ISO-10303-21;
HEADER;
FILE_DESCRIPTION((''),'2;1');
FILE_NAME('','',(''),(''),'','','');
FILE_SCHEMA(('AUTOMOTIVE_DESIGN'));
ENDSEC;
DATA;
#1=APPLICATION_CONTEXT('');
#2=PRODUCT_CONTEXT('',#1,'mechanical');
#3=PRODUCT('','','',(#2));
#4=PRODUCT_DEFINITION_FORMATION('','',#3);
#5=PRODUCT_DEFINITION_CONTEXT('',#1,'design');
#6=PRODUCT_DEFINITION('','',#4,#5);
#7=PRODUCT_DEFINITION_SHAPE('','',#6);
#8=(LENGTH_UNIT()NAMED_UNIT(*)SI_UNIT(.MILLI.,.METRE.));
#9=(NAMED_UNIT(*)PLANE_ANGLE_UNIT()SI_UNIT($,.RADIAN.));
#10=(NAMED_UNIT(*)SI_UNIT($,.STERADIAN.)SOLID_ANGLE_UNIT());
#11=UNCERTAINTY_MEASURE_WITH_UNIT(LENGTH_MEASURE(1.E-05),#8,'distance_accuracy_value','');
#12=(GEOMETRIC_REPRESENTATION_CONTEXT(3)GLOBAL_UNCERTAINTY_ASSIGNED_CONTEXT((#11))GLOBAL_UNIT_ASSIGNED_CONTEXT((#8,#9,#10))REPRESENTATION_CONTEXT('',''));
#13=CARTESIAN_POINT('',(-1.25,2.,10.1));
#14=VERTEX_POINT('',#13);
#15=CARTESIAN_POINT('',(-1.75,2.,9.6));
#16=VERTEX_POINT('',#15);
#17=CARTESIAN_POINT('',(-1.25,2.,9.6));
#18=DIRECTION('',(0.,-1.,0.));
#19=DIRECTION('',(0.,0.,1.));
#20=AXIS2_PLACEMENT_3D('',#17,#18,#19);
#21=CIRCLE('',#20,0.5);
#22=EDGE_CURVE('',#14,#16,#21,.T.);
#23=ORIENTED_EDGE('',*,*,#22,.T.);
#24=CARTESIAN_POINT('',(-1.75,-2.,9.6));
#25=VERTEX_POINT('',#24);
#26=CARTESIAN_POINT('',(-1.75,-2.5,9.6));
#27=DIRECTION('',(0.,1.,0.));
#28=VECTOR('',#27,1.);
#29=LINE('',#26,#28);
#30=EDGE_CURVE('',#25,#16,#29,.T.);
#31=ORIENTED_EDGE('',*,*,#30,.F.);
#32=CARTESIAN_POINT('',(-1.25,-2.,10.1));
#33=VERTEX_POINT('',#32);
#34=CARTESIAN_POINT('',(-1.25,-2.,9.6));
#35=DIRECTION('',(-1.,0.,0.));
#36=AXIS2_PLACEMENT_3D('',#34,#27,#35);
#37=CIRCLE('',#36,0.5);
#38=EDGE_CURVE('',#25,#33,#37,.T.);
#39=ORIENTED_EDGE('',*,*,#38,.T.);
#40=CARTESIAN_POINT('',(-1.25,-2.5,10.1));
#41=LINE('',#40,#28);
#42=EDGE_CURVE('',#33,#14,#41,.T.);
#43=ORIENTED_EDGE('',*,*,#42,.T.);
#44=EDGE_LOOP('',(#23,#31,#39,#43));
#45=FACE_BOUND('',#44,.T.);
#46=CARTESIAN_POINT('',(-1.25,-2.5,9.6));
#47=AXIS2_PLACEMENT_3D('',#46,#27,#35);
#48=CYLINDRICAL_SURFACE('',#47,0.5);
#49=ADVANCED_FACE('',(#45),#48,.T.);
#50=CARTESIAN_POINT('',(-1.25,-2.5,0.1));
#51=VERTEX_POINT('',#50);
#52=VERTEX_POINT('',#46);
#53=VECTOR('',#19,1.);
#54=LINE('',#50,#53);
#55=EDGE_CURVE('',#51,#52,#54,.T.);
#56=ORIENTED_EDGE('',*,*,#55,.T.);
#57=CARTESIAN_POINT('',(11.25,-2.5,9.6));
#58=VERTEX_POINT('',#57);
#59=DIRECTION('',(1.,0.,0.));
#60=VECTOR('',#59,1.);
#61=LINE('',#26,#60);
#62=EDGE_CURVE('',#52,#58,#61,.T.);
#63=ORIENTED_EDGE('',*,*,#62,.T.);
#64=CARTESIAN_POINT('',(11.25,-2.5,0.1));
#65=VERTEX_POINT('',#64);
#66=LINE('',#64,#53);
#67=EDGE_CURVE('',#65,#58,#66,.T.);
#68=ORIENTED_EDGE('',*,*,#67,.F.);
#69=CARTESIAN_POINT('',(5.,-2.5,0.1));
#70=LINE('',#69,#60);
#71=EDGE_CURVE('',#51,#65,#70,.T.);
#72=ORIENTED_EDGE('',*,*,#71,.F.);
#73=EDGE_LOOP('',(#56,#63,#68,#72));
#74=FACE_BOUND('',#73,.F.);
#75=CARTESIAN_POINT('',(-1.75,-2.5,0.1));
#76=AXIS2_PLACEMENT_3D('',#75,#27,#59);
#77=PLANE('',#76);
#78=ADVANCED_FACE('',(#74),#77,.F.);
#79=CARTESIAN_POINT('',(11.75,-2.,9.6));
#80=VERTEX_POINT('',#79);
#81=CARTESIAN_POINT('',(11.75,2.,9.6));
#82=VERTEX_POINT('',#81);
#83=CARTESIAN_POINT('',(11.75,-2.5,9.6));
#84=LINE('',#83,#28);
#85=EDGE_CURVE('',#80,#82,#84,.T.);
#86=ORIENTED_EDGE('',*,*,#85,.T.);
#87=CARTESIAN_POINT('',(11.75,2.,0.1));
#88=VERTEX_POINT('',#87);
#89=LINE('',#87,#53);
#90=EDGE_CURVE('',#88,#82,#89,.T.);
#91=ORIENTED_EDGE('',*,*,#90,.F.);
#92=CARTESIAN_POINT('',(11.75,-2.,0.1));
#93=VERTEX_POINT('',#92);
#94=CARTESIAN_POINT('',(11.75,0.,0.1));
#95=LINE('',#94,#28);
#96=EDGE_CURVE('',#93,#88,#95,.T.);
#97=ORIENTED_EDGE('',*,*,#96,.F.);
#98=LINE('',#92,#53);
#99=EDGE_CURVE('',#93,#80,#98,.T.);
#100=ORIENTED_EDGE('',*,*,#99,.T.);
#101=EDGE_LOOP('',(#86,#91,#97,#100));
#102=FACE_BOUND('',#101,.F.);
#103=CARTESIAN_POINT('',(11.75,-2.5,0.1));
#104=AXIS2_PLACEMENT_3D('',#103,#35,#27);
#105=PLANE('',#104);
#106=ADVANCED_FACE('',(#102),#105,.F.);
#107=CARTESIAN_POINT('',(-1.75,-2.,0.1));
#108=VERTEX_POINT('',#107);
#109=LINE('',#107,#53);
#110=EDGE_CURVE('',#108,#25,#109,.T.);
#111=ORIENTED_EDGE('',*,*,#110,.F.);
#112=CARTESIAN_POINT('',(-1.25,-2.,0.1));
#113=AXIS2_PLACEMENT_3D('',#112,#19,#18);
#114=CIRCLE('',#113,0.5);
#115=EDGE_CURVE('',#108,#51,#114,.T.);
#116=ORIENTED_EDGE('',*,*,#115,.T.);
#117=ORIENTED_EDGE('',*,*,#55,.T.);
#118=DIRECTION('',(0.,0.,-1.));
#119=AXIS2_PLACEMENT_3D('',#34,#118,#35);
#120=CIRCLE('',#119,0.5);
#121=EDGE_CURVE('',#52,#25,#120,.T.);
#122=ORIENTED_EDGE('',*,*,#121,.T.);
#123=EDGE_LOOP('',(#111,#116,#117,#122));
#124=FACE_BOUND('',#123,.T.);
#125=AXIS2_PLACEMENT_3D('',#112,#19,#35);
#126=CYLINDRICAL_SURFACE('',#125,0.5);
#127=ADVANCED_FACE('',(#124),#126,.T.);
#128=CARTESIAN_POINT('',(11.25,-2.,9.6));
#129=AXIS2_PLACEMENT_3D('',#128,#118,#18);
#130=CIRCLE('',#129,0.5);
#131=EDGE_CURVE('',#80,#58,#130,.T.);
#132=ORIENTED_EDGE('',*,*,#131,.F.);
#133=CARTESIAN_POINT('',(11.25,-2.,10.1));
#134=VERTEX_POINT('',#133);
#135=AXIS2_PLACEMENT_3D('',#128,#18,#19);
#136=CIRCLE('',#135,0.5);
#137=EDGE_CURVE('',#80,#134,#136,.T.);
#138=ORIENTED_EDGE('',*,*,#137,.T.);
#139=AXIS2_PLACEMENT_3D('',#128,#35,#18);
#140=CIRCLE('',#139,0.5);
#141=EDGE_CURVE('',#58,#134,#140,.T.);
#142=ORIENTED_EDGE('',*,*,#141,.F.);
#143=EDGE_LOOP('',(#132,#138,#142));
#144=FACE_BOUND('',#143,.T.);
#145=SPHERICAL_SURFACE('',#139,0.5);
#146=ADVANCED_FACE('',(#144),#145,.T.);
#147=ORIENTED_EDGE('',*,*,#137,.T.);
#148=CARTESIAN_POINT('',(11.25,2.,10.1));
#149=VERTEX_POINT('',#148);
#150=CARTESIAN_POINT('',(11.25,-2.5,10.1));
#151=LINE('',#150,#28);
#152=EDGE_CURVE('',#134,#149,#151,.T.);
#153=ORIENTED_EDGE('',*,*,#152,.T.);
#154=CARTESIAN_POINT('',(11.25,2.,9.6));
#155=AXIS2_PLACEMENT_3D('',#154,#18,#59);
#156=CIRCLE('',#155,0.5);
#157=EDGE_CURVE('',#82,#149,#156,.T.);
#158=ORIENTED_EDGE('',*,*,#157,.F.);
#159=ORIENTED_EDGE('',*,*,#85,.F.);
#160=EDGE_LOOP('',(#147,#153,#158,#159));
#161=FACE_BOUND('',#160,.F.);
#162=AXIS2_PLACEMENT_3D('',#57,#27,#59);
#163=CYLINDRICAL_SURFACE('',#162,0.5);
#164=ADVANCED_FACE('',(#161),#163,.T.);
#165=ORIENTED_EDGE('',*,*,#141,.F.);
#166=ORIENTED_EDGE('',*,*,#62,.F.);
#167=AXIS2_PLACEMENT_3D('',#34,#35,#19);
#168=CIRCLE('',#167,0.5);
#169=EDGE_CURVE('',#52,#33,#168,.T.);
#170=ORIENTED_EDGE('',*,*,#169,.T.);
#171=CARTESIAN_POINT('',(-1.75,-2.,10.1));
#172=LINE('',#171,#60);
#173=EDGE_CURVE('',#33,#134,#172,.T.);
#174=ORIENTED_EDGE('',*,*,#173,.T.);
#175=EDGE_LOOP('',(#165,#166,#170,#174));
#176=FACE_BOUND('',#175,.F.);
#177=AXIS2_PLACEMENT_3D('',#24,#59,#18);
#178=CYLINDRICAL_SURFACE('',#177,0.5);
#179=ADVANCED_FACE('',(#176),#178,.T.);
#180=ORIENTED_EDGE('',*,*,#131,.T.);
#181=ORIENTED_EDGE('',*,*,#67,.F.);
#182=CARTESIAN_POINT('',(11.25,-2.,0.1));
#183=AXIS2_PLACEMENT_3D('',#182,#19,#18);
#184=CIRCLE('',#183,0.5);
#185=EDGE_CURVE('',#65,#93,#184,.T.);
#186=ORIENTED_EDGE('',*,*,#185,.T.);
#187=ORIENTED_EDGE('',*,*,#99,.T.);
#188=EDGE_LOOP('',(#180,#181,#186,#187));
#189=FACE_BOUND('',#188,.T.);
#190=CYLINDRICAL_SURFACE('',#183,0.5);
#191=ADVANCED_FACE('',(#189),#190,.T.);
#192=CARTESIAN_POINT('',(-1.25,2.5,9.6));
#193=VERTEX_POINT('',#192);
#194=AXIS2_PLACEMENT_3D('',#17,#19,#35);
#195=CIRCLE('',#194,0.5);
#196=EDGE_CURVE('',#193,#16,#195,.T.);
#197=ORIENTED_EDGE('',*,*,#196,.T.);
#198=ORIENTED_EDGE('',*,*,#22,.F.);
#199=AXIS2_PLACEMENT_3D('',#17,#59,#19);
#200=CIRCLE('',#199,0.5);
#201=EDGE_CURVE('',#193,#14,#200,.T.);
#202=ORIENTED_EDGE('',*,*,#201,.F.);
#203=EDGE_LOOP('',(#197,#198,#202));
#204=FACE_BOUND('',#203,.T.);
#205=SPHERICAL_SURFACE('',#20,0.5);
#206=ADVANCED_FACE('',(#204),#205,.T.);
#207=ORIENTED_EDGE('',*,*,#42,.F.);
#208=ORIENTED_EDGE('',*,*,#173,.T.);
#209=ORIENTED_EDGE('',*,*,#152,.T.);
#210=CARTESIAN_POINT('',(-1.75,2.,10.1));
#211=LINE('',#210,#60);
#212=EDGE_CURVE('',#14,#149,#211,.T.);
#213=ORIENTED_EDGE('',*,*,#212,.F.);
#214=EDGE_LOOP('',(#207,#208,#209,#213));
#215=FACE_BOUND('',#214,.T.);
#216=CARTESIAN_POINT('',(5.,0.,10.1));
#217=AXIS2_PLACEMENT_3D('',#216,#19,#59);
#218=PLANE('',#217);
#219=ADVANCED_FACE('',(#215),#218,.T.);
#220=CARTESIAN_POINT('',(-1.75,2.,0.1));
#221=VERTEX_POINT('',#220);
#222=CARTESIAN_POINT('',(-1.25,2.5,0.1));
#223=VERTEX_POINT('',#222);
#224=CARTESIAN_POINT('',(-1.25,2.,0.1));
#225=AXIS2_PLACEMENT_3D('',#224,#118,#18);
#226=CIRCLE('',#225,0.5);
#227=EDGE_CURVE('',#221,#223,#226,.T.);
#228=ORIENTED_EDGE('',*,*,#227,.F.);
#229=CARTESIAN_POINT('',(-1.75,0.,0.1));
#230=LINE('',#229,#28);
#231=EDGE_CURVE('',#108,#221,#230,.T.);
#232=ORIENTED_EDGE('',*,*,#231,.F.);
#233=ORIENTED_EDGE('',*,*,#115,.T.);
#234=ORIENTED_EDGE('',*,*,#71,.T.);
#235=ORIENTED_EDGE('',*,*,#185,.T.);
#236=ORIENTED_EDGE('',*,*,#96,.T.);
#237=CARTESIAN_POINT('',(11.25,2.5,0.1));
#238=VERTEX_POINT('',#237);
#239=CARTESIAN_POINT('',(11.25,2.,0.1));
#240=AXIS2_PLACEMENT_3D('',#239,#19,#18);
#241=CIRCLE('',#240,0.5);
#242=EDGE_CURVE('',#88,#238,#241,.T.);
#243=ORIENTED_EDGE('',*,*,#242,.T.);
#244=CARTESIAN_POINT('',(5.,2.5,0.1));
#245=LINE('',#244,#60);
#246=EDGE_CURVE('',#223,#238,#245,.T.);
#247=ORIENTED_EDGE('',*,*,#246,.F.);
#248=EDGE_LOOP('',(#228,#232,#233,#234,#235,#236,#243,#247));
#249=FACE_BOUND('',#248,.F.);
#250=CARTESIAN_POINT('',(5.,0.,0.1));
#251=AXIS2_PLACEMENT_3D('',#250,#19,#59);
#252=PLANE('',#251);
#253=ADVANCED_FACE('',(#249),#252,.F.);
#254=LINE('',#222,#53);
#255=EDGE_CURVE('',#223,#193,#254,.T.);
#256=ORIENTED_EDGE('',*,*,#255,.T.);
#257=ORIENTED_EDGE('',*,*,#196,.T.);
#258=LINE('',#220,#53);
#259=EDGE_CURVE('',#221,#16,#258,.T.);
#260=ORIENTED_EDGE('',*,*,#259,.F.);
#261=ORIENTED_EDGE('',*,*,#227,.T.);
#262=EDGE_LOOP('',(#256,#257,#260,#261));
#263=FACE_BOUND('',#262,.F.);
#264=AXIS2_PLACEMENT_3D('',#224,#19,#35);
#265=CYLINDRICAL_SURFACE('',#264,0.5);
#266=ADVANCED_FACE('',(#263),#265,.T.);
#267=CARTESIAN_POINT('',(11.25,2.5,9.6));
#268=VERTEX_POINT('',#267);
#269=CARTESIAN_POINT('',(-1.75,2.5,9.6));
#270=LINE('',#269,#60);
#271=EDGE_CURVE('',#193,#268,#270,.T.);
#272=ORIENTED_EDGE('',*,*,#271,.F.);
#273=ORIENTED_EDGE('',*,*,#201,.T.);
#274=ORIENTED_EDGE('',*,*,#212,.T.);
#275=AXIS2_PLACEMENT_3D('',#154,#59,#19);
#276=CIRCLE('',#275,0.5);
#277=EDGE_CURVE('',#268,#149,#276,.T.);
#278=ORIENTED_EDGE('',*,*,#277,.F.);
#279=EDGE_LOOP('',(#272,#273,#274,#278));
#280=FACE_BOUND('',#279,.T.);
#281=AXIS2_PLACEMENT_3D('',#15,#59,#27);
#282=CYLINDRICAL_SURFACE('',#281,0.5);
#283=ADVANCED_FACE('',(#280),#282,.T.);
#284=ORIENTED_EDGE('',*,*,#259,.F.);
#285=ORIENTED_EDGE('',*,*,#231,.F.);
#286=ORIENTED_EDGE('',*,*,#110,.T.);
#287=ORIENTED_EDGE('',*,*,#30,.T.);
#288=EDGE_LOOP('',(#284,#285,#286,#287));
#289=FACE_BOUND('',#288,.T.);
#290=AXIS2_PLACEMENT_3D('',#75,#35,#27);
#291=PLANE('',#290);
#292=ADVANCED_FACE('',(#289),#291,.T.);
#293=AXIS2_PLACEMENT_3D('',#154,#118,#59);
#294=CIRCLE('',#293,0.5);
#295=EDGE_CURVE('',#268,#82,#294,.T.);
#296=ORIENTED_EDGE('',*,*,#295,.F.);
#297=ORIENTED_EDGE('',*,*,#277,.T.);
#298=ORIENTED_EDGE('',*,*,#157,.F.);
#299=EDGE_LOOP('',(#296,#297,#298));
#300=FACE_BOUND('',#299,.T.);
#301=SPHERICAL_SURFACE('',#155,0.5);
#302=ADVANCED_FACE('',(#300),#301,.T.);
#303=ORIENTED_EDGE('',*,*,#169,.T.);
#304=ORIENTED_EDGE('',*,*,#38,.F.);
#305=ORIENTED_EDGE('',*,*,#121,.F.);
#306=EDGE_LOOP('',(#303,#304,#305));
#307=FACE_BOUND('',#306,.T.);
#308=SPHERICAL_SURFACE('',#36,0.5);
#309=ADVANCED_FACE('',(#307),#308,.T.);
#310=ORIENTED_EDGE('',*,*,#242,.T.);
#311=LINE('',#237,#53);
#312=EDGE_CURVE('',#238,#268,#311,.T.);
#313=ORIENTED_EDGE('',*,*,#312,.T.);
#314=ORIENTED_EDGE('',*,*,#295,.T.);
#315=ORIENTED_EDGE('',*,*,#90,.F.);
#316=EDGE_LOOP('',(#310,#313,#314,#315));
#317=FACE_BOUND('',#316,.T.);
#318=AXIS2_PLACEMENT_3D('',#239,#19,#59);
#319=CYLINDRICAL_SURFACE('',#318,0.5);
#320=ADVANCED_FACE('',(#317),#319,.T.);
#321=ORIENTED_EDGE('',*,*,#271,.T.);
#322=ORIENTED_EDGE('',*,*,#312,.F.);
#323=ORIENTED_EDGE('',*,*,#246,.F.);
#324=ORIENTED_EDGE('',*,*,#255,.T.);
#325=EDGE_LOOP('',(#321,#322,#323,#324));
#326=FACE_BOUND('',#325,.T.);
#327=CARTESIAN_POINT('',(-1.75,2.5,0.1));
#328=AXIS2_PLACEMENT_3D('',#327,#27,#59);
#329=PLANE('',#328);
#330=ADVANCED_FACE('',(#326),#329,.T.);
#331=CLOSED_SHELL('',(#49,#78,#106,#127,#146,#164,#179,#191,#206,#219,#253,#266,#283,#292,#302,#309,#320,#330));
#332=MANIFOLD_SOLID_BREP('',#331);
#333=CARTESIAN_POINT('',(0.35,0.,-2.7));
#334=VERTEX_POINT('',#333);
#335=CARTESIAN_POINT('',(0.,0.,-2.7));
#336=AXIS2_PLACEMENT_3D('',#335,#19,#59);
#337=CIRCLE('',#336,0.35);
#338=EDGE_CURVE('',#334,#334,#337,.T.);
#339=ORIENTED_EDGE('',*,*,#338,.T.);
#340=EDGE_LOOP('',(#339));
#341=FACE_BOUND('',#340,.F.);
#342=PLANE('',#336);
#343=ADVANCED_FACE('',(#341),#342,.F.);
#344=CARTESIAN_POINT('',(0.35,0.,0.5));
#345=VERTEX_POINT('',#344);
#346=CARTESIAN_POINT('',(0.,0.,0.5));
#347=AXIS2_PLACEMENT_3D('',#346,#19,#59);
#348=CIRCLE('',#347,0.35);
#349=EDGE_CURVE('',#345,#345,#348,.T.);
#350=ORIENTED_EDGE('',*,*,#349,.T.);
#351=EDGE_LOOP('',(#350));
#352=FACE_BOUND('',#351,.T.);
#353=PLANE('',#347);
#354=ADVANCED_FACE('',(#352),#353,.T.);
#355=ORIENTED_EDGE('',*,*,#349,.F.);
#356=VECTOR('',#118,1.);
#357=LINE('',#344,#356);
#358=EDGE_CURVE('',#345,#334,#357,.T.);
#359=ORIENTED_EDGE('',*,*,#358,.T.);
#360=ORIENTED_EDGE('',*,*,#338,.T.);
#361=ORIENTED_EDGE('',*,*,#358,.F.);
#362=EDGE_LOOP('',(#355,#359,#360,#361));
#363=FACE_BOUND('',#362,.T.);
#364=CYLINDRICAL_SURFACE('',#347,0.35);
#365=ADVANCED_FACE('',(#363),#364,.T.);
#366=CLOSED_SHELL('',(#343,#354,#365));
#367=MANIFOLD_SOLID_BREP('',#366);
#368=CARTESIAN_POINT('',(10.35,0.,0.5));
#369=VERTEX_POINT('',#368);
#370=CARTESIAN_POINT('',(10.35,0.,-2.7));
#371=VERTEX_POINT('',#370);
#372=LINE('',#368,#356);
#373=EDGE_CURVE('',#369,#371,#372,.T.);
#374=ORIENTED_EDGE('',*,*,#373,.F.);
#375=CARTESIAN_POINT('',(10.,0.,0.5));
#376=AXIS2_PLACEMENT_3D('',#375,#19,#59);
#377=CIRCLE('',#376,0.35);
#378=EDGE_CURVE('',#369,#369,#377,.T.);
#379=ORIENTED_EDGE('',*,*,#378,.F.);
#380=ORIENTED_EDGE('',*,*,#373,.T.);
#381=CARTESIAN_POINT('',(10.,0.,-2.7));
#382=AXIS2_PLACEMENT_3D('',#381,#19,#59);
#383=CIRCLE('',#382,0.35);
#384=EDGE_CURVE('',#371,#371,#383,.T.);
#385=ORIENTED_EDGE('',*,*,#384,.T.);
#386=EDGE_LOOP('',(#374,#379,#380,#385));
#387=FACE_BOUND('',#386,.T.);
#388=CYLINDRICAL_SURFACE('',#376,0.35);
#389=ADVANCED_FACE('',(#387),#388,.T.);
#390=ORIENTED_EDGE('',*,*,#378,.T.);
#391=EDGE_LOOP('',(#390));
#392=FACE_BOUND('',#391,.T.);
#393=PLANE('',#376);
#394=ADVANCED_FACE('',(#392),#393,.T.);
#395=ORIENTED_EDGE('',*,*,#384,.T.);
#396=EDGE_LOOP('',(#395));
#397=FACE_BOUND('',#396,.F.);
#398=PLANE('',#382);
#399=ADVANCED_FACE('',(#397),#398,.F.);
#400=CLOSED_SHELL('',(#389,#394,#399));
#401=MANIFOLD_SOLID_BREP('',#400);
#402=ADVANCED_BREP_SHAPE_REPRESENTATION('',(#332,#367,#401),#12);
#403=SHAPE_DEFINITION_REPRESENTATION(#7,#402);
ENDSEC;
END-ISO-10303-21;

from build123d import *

# Parameters (mm, degrees)
SKETCH_W     = 13.5
SKETCH_H     = 5
PAD_DEPTH    = 10
FILLET_R     = 0.5
SKETCH001_R  = 0.35
PAD001_DEPTH = 3.2


with BuildPart() as fillet_body:
    # Sketch → Pad (new body)
    with BuildSketch(Plane.XY.offset(0.1)):
        with Locations((5, 0)):
            Rectangle(SKETCH_W, SKETCH_H)
    extrude(amount=PAD_DEPTH)

    # Fillet
    fillet_edges = [fillet_body.edges().sort_by_distance(p)[0] for p in [
        (-1.75, 0, 10.1),
        (-1.75, -2.5, 5.1),
        (5, -2.5, 10.1),
        (11.75, -2.5, 5.1),
        (11.75, 0, 10.1),
        (11.75, 2.5, 5.1),
        (5, 2.5, 10.1),
        (-1.75, 2.5, 5.1),
    ]]
    fillet(fillet_edges, radius=FILLET_R)


with BuildPart() as pad001:
    # Sketch001 → Pad001 (new body)
    with BuildSketch(Plane.XY.offset(0.5)):
        Circle(SKETCH001_R)
        with Locations((10, 0)):
            Circle(SKETCH001_R)
    extrude(amount=-PAD001_DEPTH)


solid = Compound([fillet_body.part, pad001.part])
